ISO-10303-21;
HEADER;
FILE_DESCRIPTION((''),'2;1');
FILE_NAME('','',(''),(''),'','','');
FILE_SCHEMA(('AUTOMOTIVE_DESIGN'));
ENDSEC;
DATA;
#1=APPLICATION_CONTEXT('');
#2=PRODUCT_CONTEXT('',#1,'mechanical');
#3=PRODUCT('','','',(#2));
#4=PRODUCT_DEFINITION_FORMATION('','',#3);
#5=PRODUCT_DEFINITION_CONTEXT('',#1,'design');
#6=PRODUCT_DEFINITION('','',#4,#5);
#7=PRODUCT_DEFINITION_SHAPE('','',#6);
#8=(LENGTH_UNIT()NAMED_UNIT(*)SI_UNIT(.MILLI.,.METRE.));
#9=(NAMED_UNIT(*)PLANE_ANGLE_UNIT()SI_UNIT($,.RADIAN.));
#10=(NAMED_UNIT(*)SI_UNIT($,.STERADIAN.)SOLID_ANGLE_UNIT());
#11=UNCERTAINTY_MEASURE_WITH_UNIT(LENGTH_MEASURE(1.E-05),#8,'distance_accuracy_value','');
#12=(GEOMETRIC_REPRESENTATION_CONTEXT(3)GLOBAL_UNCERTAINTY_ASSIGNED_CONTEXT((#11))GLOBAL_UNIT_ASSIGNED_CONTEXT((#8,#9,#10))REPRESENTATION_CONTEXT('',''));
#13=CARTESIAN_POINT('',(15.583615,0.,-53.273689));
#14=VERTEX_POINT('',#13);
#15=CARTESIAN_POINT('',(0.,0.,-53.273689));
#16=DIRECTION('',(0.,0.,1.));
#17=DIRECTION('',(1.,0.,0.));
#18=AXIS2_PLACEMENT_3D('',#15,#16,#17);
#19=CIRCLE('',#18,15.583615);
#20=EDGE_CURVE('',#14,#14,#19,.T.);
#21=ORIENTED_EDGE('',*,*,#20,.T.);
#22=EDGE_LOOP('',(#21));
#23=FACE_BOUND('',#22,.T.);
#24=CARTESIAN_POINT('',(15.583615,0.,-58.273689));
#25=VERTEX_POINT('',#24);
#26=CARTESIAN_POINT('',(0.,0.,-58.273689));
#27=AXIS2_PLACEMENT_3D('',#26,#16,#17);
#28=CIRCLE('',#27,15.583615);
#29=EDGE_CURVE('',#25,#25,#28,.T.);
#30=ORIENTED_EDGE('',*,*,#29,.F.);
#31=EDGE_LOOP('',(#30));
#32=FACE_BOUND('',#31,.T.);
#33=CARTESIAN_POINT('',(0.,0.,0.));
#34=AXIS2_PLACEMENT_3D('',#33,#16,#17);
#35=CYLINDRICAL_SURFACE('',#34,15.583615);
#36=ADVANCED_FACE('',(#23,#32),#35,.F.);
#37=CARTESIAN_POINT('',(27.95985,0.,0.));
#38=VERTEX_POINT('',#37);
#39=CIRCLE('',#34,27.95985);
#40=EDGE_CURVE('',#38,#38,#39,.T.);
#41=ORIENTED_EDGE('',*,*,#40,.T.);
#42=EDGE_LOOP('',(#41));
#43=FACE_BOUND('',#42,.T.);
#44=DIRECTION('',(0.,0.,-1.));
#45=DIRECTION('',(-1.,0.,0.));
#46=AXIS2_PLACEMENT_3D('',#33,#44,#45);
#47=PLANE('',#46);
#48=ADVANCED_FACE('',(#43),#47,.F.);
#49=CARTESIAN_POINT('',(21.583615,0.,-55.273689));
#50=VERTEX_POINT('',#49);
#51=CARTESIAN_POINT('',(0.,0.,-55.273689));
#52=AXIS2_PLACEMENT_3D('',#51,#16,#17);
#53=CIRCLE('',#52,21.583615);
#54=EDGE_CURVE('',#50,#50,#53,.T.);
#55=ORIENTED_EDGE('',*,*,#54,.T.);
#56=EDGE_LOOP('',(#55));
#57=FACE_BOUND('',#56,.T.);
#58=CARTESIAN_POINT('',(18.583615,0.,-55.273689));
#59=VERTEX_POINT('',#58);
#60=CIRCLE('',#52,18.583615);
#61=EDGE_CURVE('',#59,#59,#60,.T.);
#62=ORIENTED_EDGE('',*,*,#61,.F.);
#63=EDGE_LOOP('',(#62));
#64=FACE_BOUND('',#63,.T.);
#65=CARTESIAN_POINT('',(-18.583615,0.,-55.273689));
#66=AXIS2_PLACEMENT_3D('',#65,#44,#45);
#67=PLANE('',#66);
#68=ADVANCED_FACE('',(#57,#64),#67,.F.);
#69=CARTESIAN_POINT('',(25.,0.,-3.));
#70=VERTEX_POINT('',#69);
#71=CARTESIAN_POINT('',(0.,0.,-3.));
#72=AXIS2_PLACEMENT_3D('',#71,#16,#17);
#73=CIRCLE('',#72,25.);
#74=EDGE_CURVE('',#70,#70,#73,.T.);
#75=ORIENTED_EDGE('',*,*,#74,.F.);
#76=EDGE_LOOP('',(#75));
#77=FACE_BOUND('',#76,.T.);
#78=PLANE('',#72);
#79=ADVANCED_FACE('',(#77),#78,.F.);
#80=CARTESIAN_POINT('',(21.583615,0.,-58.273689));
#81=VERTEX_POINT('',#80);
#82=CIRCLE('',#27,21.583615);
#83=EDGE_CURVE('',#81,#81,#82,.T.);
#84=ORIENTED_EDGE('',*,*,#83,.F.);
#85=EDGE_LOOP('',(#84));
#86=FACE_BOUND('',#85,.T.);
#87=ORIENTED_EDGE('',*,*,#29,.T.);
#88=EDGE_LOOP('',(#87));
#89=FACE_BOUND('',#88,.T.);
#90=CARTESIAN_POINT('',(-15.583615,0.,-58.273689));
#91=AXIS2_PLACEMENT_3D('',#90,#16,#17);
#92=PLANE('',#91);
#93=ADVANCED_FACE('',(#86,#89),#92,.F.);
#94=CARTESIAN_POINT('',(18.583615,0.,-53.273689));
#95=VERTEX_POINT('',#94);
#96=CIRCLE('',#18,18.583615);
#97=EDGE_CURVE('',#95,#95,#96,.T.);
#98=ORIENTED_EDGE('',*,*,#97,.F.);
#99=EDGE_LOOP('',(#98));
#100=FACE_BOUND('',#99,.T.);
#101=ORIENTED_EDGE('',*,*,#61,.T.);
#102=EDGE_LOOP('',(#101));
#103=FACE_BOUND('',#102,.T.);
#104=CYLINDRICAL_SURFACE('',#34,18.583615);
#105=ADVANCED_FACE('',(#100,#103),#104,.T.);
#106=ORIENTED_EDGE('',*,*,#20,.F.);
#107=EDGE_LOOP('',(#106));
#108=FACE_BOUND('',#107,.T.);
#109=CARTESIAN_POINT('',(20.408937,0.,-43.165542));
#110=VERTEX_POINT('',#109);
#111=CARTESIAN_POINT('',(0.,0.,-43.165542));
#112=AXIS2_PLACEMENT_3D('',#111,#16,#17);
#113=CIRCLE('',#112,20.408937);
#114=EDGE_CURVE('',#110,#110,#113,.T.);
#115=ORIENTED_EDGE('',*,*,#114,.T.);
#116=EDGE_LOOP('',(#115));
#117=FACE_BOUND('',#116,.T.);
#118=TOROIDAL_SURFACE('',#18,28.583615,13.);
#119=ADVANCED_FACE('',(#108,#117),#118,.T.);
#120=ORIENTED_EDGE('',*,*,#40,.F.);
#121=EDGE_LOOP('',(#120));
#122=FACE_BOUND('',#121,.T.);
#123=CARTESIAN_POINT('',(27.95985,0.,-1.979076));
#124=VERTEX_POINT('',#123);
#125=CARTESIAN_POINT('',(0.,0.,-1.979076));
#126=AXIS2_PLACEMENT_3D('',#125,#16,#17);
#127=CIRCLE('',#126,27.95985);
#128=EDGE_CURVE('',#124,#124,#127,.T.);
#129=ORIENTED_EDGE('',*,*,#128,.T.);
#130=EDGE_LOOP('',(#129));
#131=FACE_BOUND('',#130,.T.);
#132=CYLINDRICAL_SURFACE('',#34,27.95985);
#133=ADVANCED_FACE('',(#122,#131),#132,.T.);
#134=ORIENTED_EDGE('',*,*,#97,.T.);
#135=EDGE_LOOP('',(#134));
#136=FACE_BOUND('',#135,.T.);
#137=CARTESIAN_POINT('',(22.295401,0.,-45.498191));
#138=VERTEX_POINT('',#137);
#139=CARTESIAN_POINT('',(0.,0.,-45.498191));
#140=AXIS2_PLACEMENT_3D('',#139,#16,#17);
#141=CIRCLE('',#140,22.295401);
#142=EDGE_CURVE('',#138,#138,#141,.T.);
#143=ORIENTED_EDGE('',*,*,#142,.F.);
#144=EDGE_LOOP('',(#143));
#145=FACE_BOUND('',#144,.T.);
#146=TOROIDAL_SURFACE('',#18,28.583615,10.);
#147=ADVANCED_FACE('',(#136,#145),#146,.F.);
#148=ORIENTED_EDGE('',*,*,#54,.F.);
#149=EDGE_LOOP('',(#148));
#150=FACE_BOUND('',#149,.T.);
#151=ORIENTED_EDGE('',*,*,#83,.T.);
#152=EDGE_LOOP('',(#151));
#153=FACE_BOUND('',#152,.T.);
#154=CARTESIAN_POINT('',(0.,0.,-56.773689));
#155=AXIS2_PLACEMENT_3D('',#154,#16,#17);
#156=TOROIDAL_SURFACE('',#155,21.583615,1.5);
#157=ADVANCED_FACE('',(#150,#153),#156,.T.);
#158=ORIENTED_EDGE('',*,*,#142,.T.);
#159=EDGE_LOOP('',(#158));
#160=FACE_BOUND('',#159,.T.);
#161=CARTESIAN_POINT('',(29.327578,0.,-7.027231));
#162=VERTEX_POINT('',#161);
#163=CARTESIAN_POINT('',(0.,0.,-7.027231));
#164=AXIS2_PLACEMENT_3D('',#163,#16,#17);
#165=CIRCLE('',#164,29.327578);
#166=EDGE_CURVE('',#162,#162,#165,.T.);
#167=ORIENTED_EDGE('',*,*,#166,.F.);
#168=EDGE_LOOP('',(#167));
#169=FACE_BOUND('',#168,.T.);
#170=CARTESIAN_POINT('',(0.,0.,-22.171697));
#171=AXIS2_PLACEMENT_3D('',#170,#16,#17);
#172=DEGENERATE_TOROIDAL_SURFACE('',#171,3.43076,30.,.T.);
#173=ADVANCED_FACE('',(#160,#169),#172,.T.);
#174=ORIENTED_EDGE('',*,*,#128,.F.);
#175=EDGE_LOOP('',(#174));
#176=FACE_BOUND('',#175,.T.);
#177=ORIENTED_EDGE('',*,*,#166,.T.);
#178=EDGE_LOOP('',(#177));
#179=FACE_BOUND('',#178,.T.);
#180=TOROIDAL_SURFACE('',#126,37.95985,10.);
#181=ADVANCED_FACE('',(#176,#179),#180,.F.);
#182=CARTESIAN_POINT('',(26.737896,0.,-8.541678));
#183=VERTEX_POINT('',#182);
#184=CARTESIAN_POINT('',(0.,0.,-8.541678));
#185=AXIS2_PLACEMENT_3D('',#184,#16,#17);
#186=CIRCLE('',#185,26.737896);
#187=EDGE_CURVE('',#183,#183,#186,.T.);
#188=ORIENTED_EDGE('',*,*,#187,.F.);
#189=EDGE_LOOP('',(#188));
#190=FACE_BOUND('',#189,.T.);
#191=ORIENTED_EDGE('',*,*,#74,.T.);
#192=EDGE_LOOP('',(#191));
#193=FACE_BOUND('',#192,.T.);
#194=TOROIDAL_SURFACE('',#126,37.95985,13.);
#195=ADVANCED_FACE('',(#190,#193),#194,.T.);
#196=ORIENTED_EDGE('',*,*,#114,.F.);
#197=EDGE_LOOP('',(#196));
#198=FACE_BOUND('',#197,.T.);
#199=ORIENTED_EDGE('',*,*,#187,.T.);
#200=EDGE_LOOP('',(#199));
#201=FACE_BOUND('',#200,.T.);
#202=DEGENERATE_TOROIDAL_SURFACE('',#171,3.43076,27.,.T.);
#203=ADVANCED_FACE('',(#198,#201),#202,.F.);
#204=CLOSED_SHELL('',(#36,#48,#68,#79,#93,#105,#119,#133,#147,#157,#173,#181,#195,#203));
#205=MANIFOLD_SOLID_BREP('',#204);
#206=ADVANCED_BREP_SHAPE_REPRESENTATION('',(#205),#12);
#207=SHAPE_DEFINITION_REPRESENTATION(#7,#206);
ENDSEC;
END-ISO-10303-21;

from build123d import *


with BuildPart() as part:
    # Sketch1 → Revolve1 (revolve)
    with BuildSketch(Plane(origin=(0, 0, 0), x_dir=(1, 0, 0), z_dir=(0, 1, 0)), mode=Mode.PRIVATE) as revolve1_sk:
        with BuildLine():
            Line((0, 0), (-27.959850053, 0))
            Line((-27.959850053, 0), (-27.959850053, 1.979075613))
            ThreePointArc((-27.959850053, 1.979075613), (-28.307836675, 4.594154531), (-29.327577602, 7.027230953))
            ThreePointArc((-29.327577602, 7.027230953), (-32.941787462, 27.566071163), (-22.295401019, 45.49819111))
            ThreePointArc((-22.295401019, 45.49819111), (-19.5591441, 48.965681257), (-18.583614608, 53.273689155))
            Line((-18.583614608, 53.273689155), (-18.583614608, 55.273689155))
            Line((-18.583614608, 55.273689155), (-21.583614608, 55.273689155))
            ThreePointArc((-21.583614608, 55.273689155), (-23.083614608, 56.773689155), (-21.583614608, 58.273689155))
            Line((-21.583614608, 58.273689155), (-15.583614608, 58.273689155))
            Line((-15.583614608, 58.273689155), (-15.583614608, 53.273689155))
            ThreePointArc((-15.583614608, 53.273689155), (-16.851802948, 47.673278887), (-20.408936942, 43.165541696))
            ThreePointArc((-20.408936942, 43.165541696), (-29.990684741, 27.026633744), (-26.737895867, 8.541677555))
            ThreePointArc((-26.737895867, 8.541677555), (-25.555517681, 5.869131963), (-25, 3))
            Line((-25, 3), (0, 3))
            Line((0, 3), (0, 0))
        make_face()
    revolve(revolve1_sk.sketch.rotate(Axis((0, 0, 0), (0, 0, -1)), 180), axis=Axis((0, 0, 0), (0, 0, -1)))


solid = part.part
